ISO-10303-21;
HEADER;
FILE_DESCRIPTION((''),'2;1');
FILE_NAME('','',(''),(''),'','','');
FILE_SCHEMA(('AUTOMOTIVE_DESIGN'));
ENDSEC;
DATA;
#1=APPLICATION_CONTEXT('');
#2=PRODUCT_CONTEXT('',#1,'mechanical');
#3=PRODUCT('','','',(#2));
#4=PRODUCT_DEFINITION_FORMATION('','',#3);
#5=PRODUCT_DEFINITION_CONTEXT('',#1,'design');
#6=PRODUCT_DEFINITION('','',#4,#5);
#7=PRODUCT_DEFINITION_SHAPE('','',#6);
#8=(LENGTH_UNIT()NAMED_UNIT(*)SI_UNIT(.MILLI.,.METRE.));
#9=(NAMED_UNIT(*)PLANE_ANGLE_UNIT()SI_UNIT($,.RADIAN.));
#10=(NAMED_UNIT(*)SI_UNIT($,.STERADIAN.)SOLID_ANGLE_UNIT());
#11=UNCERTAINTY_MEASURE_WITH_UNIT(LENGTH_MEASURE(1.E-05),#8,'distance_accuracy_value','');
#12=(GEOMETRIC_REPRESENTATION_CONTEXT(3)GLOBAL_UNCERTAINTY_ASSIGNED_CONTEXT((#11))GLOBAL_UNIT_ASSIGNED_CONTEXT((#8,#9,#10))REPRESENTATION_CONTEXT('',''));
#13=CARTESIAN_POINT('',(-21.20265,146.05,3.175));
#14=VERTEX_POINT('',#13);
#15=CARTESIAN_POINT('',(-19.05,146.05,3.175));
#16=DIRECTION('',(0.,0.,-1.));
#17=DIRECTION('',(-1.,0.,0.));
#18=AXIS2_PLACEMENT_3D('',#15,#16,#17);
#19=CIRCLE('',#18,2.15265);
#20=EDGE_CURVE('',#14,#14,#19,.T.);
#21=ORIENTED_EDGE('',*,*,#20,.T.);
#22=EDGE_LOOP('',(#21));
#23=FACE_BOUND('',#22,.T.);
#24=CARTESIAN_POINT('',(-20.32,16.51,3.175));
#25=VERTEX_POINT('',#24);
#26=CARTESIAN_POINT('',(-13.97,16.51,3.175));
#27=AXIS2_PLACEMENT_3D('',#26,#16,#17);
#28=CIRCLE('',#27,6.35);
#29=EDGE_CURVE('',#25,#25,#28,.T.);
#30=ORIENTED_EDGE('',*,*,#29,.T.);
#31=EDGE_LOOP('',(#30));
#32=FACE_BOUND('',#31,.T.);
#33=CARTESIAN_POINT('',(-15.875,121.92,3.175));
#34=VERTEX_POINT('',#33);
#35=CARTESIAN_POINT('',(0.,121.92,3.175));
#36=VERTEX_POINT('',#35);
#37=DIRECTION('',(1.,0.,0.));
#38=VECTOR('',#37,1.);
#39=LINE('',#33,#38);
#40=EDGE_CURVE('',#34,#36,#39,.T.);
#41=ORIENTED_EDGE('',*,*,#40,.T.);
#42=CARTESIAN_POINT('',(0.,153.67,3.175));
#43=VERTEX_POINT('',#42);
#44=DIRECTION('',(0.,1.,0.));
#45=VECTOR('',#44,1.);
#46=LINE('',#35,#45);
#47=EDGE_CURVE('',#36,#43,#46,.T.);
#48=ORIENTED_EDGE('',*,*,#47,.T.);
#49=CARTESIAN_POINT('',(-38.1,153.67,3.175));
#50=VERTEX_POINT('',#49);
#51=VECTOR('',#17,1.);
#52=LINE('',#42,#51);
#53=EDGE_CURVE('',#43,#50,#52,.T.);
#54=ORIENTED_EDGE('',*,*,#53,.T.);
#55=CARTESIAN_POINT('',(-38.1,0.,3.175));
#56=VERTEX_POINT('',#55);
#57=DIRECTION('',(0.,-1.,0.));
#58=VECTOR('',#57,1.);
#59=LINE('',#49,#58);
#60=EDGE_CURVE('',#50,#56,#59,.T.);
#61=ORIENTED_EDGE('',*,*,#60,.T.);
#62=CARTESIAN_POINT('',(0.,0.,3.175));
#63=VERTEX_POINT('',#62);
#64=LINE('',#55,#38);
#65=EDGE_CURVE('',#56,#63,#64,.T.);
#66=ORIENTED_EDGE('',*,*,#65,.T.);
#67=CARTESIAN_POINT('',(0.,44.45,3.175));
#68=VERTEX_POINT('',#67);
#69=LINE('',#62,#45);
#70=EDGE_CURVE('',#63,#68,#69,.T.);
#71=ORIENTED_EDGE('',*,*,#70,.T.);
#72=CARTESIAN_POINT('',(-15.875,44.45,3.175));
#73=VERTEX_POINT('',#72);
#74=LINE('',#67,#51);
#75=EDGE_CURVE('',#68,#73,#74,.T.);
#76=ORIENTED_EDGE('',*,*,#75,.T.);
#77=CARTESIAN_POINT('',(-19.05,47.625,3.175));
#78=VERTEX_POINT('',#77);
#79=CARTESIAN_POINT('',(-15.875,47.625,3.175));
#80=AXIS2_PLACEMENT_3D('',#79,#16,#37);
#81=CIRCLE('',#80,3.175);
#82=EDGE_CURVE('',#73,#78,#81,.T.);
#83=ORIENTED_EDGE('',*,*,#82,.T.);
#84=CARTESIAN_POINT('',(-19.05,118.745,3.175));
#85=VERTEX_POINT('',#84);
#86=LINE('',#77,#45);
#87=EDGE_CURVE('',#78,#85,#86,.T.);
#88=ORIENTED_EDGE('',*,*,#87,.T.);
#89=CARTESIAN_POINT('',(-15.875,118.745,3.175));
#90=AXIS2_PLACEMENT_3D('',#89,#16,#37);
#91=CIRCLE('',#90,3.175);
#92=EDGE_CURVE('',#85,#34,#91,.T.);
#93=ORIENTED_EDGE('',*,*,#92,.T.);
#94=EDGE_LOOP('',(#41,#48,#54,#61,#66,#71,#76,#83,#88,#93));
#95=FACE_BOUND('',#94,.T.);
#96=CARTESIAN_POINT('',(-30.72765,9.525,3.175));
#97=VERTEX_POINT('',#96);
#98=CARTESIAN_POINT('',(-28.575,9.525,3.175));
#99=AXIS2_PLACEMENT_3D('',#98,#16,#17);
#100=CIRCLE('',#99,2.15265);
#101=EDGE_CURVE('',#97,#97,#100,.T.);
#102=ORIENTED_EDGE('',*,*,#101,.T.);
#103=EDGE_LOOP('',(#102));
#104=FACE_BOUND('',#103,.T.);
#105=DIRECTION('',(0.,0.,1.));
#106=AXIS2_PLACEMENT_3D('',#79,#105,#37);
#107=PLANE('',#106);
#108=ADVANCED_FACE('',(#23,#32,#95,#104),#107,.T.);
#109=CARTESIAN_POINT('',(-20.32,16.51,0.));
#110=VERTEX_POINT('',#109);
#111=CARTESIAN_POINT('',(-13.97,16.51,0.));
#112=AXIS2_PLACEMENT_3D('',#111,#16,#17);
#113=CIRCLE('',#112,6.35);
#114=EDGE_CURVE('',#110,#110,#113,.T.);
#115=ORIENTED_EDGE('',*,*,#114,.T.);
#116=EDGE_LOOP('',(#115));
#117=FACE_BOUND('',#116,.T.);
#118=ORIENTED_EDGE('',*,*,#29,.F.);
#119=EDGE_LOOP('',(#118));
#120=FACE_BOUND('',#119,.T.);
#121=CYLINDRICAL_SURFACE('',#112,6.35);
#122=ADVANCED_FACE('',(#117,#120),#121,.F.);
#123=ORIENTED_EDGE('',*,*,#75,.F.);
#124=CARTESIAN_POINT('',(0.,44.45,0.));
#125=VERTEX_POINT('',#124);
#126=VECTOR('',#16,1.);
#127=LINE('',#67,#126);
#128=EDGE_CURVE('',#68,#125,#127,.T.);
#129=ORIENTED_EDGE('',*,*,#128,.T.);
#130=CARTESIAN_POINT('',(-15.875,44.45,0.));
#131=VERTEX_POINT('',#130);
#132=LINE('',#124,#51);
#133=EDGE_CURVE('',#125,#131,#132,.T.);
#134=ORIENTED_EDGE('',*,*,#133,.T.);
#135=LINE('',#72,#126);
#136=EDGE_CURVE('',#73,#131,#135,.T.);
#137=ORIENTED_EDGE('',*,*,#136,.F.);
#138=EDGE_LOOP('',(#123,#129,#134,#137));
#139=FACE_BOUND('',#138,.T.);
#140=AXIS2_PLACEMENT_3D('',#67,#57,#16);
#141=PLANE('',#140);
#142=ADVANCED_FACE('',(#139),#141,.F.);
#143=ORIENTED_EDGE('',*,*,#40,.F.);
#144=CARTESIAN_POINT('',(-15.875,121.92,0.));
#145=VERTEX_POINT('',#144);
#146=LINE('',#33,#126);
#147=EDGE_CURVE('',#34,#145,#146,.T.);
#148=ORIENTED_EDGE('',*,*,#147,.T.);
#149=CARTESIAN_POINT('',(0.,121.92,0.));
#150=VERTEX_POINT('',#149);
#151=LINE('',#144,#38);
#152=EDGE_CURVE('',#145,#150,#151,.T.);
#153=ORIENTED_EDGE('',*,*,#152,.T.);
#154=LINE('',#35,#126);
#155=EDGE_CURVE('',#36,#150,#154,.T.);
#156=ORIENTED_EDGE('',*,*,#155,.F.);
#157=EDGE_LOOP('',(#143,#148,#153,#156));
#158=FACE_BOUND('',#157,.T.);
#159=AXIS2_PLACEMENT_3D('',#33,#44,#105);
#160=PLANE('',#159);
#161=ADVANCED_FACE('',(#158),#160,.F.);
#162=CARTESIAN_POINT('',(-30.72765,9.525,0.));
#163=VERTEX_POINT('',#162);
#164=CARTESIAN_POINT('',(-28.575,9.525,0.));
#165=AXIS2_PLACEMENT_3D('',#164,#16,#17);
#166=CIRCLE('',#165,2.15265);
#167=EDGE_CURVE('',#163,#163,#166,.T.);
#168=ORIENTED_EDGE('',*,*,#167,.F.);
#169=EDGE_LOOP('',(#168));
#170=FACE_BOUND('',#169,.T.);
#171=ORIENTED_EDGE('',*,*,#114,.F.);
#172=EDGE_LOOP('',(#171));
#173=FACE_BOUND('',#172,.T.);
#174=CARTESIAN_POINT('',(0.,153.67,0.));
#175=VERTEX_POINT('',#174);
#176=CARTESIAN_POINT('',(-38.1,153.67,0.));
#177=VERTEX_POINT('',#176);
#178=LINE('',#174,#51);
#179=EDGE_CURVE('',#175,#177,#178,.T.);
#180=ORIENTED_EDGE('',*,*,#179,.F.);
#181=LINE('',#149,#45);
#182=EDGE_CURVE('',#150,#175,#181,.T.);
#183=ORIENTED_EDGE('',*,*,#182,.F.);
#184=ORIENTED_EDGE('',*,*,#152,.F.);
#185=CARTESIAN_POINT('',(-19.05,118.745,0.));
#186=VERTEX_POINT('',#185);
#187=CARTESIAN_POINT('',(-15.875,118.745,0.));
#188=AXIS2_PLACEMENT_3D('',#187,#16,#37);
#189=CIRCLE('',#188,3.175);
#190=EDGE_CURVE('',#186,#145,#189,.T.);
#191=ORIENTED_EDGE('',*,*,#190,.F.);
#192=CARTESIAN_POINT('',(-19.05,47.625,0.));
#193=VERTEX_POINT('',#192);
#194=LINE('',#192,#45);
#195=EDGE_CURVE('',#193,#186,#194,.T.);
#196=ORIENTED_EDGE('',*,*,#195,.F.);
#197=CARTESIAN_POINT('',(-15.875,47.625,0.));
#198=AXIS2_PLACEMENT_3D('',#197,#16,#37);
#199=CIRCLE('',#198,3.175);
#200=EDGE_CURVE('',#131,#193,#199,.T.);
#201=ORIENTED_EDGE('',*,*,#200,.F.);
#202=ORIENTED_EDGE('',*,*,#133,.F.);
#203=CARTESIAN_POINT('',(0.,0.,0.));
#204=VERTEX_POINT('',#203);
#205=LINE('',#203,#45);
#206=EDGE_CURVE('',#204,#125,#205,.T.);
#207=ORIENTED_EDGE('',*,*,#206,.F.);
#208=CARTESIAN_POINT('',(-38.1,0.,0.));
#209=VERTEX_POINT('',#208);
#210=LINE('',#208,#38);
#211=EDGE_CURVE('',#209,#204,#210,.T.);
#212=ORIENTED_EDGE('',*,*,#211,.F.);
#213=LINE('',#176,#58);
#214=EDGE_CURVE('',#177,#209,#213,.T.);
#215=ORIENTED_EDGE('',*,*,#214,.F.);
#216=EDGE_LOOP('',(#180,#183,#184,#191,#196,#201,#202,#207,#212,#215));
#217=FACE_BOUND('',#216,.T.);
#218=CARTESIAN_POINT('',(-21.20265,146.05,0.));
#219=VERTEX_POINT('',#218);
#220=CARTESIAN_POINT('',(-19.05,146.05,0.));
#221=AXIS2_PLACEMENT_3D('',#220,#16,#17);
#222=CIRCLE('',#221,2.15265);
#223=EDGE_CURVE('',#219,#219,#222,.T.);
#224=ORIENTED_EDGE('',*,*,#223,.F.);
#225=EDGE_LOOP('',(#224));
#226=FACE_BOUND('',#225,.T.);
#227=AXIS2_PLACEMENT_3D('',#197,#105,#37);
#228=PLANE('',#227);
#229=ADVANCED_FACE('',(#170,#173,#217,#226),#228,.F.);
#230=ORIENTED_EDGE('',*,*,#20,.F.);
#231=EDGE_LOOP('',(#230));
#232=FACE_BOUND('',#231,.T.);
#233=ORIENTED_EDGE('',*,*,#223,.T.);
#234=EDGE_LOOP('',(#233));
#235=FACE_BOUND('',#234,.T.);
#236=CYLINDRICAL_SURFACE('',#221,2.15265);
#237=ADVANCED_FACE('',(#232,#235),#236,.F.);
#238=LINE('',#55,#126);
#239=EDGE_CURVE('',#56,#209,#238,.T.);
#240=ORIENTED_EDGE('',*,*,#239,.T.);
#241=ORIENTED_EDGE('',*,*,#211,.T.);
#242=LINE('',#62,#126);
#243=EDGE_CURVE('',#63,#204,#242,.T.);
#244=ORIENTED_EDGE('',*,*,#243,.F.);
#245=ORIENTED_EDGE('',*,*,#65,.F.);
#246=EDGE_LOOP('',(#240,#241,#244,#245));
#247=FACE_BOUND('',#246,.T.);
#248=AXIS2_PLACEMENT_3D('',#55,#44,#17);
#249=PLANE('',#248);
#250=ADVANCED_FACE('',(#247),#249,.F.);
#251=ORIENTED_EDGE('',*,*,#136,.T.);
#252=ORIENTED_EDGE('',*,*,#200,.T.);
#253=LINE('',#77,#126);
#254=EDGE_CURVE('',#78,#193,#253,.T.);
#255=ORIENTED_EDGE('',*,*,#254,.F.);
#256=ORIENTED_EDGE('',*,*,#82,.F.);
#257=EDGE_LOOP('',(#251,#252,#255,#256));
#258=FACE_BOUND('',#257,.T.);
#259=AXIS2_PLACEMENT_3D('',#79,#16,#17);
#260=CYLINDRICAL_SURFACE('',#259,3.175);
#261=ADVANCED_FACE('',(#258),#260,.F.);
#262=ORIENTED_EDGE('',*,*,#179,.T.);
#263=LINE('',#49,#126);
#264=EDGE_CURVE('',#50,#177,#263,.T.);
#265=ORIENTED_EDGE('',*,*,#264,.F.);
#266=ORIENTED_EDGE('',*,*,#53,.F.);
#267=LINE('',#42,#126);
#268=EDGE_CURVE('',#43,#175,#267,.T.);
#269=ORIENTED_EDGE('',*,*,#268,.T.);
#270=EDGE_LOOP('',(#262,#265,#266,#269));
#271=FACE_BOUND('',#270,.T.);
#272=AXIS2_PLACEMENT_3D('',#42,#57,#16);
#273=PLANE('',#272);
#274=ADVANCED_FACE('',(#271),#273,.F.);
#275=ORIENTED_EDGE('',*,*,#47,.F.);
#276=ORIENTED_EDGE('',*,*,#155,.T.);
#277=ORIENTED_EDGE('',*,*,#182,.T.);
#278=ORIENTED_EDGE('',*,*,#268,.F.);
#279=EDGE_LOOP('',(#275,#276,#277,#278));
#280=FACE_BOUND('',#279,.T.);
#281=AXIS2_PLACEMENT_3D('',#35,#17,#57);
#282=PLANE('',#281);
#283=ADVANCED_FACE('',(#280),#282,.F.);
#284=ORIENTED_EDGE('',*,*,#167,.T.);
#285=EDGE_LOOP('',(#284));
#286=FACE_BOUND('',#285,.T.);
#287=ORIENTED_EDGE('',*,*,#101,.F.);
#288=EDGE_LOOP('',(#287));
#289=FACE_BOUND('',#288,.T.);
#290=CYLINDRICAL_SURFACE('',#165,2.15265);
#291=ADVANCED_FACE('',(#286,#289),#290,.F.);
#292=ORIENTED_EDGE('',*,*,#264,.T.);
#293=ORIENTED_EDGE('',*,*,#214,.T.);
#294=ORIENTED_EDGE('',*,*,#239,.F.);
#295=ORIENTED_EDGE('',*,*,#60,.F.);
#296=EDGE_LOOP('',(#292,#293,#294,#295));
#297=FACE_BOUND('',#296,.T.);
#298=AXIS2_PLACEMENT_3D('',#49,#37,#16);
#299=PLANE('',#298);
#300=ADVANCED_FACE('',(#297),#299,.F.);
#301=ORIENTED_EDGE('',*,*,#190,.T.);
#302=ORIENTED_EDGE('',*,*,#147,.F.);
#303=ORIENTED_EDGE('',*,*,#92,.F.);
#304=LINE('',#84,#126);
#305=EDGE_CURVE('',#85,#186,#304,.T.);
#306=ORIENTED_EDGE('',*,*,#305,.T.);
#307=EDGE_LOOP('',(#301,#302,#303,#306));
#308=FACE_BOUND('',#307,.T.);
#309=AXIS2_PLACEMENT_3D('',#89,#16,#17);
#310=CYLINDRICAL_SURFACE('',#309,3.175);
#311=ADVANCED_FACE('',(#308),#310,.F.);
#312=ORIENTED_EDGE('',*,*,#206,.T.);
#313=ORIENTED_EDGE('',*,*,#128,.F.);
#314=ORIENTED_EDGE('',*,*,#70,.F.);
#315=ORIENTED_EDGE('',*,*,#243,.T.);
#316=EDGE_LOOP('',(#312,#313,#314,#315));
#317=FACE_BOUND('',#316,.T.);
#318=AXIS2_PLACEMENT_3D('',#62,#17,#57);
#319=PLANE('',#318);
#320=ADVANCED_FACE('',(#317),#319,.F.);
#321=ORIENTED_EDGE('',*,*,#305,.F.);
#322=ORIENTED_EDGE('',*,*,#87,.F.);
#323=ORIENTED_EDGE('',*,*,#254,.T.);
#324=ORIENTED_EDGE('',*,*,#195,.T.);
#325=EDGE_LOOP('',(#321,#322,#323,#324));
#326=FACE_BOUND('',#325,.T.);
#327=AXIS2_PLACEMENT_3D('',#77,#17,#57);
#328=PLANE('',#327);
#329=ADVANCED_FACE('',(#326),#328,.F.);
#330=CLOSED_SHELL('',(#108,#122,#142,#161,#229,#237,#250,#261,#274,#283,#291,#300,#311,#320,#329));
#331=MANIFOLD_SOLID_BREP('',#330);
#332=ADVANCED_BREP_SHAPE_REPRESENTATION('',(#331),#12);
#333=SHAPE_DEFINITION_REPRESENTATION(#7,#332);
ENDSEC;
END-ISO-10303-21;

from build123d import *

# Parameters (mm, degrees)
BOSS_EXTRUDE1_DEPTH        = 3.175
F_6_CLEARANCE_HOLE1_D      = 4.3053
F_1_2_0_5_DIAMETER_HOLE1_D = 12.7


with BuildPart() as part:
    # Sketch1 → Boss-Extrude1 (new body)
    with BuildSketch(Plane.XY):
        with BuildLine():
            Line((0, 0), (0, 44.45))
            Line((0, 44.45), (-15.875, 44.45))
            ThreePointArc((-15.875, 44.45), (-18.12006403, 45.37993597), (-19.05, 47.625))
            Line((-19.05, 47.625), (-19.05, 118.745))
            ThreePointArc((-19.05, 118.745), (-18.12006403, 120.99006403), (-15.875, 121.92))
            Line((-15.875, 121.92), (0, 121.92))
            Line((0, 121.92), (0, 153.67))
            Line((0, 153.67), (-38.1, 153.67))
            Line((-38.1, 153.67), (-38.1, 0))
            Line((-38.1, 0), (0, 0))
        make_face()
    extrude(amount=BOSS_EXTRUDE1_DEPTH)

    # #6 Clearance Hole1 (through all)
    with Locations(Plane(origin=(0, 0, 0), x_dir=(-1, 0, 0), z_dir=(0, 0, -1))):
        with Locations((28.575, 9.525), (19.05, 146.05)):
            Hole(F_6_CLEARANCE_HOLE1_D / 2)

    # 1/2 (0.5) Diameter Hole1 (through all)
    with Locations(Plane(origin=(0, 0, 0), x_dir=(-1, 0, 0), z_dir=(0, 0, -1))):
        with Locations((13.97, 16.51)):
            Hole(F_1_2_0_5_DIAMETER_HOLE1_D / 2)


solid = part.part
